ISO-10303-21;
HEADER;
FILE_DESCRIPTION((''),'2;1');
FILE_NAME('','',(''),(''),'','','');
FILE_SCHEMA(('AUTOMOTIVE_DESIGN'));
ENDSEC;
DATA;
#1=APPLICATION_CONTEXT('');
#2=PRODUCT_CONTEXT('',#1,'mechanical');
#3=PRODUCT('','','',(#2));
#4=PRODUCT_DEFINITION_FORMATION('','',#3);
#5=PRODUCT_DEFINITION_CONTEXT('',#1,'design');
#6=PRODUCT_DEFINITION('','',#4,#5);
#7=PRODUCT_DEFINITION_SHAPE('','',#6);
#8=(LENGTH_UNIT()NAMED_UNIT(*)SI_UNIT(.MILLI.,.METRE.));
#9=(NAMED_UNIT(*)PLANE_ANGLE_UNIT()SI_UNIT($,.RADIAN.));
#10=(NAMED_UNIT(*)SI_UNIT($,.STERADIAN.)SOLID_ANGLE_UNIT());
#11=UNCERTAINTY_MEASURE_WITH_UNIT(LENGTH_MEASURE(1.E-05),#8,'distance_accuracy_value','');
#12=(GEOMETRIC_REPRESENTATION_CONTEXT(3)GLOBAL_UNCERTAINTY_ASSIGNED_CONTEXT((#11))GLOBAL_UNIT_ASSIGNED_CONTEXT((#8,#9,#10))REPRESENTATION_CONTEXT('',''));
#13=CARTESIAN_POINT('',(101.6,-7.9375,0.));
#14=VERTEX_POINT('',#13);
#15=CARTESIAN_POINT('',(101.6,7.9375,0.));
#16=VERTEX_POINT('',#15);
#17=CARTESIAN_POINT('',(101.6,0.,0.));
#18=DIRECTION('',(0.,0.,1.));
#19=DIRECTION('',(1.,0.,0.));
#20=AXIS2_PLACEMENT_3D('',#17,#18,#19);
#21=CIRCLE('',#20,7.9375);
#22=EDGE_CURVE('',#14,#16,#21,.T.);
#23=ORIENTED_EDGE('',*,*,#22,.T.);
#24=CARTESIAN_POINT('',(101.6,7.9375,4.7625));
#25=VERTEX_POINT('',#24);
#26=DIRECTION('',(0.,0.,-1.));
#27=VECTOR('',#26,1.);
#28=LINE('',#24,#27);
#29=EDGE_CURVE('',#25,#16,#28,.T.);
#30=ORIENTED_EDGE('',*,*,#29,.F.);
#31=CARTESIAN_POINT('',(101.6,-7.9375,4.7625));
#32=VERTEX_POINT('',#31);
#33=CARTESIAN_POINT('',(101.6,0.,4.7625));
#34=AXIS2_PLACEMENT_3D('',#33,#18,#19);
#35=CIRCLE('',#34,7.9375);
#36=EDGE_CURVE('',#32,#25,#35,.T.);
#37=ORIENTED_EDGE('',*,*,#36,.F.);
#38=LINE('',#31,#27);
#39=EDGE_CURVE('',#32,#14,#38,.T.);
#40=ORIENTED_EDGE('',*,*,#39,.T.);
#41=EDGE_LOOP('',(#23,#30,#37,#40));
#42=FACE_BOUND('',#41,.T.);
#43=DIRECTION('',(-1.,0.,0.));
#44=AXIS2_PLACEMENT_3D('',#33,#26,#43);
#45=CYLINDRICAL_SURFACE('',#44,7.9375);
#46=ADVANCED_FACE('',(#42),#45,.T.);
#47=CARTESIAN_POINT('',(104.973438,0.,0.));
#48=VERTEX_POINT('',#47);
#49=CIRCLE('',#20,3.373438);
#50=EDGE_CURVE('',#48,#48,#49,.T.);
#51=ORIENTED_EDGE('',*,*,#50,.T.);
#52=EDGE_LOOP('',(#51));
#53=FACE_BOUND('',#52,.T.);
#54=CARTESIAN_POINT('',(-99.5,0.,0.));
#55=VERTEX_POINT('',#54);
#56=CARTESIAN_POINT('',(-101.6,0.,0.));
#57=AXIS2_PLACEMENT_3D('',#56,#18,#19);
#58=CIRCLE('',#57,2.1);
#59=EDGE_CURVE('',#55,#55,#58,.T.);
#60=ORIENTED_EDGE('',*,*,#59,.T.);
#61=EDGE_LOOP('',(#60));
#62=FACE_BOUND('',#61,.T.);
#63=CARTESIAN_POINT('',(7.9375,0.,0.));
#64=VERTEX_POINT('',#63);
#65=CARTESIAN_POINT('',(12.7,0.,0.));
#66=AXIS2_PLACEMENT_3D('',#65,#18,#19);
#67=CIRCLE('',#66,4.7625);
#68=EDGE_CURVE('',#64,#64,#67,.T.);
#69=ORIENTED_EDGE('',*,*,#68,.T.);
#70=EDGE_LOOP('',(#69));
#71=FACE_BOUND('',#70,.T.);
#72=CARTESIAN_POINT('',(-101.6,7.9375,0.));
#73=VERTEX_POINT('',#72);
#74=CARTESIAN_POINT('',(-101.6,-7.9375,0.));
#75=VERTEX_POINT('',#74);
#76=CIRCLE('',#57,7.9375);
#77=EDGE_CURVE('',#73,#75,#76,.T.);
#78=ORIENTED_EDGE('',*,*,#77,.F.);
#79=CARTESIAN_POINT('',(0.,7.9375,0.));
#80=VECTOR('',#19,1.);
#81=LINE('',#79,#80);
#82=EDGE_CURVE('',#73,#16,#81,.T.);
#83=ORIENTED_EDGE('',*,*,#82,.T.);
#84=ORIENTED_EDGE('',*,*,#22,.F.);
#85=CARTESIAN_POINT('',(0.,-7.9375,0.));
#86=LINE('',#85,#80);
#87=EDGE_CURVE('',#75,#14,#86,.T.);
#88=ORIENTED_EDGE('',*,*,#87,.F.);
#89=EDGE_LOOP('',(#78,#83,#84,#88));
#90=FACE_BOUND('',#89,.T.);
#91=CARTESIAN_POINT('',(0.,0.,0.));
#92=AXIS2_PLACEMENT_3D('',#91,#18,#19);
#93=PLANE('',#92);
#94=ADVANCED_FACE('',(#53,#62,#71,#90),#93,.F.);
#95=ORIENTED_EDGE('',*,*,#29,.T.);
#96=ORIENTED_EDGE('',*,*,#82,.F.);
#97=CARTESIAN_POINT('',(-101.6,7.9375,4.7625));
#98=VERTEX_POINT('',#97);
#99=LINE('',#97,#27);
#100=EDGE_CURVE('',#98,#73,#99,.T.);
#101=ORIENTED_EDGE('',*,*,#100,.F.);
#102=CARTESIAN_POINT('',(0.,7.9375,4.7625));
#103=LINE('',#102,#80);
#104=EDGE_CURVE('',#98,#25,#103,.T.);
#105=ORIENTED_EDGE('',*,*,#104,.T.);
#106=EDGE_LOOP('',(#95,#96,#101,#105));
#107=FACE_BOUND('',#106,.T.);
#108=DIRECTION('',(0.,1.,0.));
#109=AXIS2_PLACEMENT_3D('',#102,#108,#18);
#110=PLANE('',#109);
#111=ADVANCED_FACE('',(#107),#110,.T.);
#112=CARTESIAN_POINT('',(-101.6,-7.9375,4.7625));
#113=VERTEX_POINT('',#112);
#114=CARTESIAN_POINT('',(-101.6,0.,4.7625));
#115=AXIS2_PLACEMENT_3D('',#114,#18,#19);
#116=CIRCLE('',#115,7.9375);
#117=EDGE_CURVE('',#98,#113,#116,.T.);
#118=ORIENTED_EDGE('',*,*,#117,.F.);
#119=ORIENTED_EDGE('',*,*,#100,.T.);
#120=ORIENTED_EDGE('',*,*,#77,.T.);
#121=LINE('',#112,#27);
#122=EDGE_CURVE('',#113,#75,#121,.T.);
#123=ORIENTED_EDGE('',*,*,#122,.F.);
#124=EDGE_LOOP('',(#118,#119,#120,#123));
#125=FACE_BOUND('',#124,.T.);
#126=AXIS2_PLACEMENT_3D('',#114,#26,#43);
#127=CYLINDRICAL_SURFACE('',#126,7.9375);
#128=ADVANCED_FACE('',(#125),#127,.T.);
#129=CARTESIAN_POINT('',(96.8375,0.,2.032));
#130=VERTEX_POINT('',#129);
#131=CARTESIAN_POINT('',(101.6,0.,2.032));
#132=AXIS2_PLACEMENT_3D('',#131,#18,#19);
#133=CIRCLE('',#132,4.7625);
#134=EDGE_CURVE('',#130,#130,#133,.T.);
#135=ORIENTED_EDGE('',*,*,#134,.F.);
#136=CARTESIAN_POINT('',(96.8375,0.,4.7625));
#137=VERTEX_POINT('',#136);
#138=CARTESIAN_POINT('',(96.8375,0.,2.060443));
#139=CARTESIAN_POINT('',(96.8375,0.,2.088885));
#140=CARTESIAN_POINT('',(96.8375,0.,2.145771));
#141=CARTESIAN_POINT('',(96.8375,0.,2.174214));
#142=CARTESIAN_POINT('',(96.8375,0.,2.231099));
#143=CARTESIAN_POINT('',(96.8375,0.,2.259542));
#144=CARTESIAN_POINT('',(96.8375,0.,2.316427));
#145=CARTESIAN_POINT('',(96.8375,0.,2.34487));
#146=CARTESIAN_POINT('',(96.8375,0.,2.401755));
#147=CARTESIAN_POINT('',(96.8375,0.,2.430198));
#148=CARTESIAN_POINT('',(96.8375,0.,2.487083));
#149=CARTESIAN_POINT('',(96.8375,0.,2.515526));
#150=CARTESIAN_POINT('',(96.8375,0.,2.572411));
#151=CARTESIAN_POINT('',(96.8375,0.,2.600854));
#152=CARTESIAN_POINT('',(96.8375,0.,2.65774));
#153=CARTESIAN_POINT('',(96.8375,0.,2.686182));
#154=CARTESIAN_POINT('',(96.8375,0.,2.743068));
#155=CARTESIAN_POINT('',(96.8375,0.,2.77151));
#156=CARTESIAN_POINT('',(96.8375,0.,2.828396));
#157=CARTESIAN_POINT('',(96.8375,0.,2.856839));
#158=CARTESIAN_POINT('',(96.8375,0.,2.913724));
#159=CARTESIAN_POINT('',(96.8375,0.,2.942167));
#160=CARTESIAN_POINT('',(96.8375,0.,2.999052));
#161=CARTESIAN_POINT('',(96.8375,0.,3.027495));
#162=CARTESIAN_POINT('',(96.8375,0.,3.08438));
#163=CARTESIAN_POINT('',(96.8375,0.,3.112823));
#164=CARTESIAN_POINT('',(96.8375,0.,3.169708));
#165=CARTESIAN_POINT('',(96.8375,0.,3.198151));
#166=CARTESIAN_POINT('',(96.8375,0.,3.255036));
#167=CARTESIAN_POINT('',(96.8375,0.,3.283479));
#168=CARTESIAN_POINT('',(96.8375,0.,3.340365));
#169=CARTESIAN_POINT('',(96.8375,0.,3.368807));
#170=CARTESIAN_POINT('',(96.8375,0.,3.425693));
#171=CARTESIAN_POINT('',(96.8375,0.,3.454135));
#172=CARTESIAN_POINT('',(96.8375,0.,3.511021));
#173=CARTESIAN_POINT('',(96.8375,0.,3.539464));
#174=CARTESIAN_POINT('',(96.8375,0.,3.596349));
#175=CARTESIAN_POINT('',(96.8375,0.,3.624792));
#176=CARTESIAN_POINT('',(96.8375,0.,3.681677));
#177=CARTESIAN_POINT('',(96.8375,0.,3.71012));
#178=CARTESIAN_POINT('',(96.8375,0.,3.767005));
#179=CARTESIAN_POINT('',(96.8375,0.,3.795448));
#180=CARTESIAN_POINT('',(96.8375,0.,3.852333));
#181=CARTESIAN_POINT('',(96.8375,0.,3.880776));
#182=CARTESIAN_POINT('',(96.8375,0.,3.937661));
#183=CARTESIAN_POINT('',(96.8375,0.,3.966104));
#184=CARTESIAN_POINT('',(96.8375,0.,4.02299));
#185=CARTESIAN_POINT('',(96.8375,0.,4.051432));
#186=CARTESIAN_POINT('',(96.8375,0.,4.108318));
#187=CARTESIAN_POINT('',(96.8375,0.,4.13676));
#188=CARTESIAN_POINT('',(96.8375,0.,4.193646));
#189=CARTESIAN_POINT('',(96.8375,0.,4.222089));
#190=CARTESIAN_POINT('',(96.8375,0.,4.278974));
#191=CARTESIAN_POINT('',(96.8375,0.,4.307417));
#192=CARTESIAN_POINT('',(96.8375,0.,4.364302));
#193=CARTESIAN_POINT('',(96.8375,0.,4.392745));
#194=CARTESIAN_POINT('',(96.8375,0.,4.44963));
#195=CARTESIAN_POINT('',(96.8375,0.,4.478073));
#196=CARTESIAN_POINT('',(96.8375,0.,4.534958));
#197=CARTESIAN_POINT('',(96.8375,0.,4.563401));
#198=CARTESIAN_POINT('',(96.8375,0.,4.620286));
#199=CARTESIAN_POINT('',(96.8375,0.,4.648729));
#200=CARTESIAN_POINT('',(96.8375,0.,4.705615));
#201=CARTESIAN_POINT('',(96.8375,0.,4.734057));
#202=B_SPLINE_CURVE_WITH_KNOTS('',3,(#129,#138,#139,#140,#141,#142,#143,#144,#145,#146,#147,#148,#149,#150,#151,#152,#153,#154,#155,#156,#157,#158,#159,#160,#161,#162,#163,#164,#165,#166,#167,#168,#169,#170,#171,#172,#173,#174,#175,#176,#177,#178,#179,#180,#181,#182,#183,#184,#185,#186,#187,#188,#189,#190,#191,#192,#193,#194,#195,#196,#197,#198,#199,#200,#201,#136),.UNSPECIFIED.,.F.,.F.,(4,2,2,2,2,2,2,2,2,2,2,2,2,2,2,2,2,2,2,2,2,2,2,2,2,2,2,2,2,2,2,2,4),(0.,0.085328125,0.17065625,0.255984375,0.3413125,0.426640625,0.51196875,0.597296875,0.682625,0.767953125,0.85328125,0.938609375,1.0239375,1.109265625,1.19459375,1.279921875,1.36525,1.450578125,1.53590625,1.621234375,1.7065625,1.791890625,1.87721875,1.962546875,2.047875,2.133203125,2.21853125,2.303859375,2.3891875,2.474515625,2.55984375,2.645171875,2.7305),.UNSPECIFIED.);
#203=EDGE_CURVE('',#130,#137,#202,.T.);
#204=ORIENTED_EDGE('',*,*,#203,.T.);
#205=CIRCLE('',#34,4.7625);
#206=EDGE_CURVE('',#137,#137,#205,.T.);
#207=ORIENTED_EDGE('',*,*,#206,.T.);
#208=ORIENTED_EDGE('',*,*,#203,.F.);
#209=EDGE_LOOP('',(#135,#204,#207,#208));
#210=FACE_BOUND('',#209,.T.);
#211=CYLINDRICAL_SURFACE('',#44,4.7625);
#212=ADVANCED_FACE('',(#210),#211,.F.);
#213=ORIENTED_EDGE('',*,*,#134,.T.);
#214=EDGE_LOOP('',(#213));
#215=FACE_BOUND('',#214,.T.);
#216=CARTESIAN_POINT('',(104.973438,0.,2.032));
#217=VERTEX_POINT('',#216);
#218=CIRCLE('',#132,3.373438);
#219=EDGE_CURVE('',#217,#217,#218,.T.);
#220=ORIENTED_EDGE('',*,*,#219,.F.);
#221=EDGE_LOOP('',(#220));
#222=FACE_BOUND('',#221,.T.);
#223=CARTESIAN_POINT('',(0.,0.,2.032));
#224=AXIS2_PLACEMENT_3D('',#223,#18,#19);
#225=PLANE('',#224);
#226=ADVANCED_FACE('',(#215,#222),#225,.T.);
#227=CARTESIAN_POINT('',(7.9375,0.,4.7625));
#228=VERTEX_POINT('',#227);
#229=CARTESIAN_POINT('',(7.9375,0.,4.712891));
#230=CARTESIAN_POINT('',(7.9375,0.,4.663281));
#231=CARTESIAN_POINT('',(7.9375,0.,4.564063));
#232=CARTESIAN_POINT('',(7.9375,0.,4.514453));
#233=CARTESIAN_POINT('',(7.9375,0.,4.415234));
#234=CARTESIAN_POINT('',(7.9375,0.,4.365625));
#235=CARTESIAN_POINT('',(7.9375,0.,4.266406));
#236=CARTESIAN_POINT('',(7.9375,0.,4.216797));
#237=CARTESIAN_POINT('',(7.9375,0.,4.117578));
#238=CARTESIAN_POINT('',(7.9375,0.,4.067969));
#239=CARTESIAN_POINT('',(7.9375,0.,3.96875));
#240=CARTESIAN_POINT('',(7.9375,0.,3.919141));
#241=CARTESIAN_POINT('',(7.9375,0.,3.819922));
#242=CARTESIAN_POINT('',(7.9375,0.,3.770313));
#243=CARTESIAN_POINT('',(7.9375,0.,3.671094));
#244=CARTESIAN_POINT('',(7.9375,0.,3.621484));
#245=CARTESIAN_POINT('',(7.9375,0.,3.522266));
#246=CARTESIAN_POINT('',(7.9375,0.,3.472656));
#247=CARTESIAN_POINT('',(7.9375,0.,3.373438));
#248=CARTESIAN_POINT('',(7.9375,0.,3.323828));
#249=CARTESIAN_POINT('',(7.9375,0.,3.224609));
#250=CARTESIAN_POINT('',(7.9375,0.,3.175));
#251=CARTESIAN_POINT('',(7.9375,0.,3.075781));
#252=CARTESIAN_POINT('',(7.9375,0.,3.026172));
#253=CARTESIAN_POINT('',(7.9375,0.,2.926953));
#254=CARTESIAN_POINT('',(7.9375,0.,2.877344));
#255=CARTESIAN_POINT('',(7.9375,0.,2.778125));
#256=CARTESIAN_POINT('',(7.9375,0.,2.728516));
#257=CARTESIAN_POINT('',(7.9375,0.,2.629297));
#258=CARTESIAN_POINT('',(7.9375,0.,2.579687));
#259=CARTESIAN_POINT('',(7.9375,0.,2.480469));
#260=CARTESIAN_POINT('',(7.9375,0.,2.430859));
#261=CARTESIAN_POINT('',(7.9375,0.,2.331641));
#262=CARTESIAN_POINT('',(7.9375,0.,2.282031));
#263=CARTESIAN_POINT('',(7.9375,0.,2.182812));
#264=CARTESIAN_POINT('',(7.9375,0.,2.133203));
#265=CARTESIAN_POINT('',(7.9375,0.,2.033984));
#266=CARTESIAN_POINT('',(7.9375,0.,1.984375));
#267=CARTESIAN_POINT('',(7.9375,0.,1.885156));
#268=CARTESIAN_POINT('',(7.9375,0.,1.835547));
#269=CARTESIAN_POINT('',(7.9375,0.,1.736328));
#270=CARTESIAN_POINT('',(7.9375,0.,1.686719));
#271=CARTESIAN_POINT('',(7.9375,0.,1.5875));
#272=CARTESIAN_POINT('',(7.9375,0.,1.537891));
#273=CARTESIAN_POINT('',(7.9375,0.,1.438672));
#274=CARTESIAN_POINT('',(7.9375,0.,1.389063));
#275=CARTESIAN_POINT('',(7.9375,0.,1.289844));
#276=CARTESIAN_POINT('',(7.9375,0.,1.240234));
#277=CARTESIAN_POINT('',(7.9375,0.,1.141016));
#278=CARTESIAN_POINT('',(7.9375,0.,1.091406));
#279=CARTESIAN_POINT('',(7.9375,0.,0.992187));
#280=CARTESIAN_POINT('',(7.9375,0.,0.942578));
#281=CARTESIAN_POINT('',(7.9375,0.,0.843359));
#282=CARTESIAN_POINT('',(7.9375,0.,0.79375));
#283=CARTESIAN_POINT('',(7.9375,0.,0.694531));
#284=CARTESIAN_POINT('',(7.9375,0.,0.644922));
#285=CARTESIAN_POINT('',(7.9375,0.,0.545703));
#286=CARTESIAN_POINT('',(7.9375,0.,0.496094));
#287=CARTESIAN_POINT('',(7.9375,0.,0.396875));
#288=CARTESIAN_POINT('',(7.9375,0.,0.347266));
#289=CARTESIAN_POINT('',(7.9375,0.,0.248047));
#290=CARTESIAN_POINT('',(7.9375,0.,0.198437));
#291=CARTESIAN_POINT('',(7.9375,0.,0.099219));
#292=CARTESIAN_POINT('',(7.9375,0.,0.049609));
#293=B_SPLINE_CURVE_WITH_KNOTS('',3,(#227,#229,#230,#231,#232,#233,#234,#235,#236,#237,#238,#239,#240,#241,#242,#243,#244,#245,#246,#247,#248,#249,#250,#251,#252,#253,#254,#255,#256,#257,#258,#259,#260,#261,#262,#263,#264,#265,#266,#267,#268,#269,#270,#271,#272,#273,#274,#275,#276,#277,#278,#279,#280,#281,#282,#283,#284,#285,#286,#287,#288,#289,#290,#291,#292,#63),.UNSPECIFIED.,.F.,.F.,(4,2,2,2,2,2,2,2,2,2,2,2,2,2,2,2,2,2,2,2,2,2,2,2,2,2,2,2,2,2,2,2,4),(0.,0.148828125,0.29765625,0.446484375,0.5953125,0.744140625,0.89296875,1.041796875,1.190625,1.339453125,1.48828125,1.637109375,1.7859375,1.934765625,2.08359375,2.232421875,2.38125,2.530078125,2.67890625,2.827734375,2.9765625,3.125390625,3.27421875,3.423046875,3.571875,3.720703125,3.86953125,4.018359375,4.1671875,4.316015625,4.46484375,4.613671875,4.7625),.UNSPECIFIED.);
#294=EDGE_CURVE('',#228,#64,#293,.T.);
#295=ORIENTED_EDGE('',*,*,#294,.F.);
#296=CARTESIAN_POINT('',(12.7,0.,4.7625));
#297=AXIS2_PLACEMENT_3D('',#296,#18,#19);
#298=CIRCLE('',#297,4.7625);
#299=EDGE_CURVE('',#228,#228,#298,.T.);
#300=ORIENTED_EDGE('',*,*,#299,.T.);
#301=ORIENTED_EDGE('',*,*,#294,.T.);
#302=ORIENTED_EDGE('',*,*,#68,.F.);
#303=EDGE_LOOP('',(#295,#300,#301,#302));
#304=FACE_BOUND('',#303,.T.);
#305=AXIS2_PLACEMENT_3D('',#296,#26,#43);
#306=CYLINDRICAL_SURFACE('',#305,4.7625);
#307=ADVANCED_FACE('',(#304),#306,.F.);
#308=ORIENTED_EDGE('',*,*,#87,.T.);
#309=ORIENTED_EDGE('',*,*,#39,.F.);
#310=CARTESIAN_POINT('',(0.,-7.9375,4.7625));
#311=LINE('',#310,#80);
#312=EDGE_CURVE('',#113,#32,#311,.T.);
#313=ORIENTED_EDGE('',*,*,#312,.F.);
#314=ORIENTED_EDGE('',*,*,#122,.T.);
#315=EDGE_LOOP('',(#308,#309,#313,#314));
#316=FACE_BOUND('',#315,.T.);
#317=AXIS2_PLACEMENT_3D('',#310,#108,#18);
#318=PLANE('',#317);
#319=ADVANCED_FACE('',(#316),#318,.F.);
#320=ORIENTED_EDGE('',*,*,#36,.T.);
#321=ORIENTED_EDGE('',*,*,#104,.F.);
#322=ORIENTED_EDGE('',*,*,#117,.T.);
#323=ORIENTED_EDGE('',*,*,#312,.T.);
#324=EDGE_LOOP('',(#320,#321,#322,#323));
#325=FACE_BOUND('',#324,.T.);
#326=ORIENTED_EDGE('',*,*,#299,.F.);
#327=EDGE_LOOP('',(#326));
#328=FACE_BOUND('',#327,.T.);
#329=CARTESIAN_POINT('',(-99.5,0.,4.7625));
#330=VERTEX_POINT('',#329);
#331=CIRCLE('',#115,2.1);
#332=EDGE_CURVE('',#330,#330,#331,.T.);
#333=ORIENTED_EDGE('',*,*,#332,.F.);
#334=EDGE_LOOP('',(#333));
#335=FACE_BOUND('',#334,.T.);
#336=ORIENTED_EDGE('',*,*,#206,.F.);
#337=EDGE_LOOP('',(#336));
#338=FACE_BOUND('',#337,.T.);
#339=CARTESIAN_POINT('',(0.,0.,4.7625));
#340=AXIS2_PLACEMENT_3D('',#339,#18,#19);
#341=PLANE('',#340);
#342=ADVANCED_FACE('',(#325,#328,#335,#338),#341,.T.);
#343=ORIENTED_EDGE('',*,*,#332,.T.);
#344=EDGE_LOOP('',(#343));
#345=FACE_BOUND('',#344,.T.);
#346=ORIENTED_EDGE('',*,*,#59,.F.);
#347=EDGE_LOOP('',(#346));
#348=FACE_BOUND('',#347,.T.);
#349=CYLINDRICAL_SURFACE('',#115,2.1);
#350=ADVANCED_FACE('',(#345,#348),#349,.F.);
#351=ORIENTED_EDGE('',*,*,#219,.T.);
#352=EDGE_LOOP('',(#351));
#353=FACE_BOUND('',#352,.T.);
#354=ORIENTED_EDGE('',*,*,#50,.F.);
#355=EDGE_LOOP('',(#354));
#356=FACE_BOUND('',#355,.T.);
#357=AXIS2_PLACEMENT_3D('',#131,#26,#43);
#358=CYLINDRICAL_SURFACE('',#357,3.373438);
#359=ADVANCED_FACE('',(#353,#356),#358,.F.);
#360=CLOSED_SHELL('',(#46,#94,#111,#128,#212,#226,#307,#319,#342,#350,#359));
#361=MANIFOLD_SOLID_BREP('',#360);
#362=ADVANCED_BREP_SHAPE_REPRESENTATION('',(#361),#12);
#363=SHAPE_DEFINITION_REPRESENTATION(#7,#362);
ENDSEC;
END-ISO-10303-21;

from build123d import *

# Parameters (mm, degrees)
SKETCH1_R                 = 4.7625
BOSS_EXTRUDE1_DEPTH       = 4.7625
SKETCH1_3_R               = 4.7625
SKETCH1_3_R_2             = 3.3734375
BOSS_EXTRUDE2_DEPTH       = 2.032
M5X0_8_TAPPED_HOLE1_D     = 4.2
M5X0_8_TAPPED_HOLE1_DEPTH = 11.1333927
M5X0_8_TAPPED_HOLE1_TIP   = 1.2618073


with BuildPart() as part:
    # Sketch1 → Boss-Extrude1 (new body)
    with BuildSketch(Plane.XY):
        with BuildLine():
            Line((101.6, 7.9375), (-101.6, 7.9375))
            ThreePointArc((-101.6, 7.9375), (-109.5375, 0), (-101.6, -7.9375))
            Line((-101.6, -7.9375), (101.6, -7.9375))
            ThreePointArc((101.6, -7.9375), (109.5375, 0), (101.6, 7.9375))
        make_face()
        with Locations((12.7, 0)):
            Circle(SKETCH1_R, mode=Mode.SUBTRACT)
        with Locations((101.6, 0)):
            Circle(SKETCH1_R, mode=Mode.SUBTRACT)
    extrude(amount=BOSS_EXTRUDE1_DEPTH)

    # Sketch1<3> → Boss-Extrude2 (add)
    with BuildSketch(Plane.XY):
        with Locations((101.6, 0)):
            Circle(SKETCH1_3_R)
        with Locations((101.6, 0)):
            Circle(SKETCH1_3_R_2, mode=Mode.SUBTRACT)
    extrude(amount=BOSS_EXTRUDE2_DEPTH)

    # M5x0.8 Tapped Hole1
    with Locations(Plane.XY.offset(4.7625)):
        with Locations((-101.6, 0)):
            Hole(M5X0_8_TAPPED_HOLE1_D / 2, depth=M5X0_8_TAPPED_HOLE1_DEPTH)
            with Locations((0, 0, -(M5X0_8_TAPPED_HOLE1_DEPTH + M5X0_8_TAPPED_HOLE1_TIP / 2))):  # 118° drill point
                Cone(0, M5X0_8_TAPPED_HOLE1_D / 2, M5X0_8_TAPPED_HOLE1_TIP, mode=Mode.SUBTRACT)


solid = part.part
